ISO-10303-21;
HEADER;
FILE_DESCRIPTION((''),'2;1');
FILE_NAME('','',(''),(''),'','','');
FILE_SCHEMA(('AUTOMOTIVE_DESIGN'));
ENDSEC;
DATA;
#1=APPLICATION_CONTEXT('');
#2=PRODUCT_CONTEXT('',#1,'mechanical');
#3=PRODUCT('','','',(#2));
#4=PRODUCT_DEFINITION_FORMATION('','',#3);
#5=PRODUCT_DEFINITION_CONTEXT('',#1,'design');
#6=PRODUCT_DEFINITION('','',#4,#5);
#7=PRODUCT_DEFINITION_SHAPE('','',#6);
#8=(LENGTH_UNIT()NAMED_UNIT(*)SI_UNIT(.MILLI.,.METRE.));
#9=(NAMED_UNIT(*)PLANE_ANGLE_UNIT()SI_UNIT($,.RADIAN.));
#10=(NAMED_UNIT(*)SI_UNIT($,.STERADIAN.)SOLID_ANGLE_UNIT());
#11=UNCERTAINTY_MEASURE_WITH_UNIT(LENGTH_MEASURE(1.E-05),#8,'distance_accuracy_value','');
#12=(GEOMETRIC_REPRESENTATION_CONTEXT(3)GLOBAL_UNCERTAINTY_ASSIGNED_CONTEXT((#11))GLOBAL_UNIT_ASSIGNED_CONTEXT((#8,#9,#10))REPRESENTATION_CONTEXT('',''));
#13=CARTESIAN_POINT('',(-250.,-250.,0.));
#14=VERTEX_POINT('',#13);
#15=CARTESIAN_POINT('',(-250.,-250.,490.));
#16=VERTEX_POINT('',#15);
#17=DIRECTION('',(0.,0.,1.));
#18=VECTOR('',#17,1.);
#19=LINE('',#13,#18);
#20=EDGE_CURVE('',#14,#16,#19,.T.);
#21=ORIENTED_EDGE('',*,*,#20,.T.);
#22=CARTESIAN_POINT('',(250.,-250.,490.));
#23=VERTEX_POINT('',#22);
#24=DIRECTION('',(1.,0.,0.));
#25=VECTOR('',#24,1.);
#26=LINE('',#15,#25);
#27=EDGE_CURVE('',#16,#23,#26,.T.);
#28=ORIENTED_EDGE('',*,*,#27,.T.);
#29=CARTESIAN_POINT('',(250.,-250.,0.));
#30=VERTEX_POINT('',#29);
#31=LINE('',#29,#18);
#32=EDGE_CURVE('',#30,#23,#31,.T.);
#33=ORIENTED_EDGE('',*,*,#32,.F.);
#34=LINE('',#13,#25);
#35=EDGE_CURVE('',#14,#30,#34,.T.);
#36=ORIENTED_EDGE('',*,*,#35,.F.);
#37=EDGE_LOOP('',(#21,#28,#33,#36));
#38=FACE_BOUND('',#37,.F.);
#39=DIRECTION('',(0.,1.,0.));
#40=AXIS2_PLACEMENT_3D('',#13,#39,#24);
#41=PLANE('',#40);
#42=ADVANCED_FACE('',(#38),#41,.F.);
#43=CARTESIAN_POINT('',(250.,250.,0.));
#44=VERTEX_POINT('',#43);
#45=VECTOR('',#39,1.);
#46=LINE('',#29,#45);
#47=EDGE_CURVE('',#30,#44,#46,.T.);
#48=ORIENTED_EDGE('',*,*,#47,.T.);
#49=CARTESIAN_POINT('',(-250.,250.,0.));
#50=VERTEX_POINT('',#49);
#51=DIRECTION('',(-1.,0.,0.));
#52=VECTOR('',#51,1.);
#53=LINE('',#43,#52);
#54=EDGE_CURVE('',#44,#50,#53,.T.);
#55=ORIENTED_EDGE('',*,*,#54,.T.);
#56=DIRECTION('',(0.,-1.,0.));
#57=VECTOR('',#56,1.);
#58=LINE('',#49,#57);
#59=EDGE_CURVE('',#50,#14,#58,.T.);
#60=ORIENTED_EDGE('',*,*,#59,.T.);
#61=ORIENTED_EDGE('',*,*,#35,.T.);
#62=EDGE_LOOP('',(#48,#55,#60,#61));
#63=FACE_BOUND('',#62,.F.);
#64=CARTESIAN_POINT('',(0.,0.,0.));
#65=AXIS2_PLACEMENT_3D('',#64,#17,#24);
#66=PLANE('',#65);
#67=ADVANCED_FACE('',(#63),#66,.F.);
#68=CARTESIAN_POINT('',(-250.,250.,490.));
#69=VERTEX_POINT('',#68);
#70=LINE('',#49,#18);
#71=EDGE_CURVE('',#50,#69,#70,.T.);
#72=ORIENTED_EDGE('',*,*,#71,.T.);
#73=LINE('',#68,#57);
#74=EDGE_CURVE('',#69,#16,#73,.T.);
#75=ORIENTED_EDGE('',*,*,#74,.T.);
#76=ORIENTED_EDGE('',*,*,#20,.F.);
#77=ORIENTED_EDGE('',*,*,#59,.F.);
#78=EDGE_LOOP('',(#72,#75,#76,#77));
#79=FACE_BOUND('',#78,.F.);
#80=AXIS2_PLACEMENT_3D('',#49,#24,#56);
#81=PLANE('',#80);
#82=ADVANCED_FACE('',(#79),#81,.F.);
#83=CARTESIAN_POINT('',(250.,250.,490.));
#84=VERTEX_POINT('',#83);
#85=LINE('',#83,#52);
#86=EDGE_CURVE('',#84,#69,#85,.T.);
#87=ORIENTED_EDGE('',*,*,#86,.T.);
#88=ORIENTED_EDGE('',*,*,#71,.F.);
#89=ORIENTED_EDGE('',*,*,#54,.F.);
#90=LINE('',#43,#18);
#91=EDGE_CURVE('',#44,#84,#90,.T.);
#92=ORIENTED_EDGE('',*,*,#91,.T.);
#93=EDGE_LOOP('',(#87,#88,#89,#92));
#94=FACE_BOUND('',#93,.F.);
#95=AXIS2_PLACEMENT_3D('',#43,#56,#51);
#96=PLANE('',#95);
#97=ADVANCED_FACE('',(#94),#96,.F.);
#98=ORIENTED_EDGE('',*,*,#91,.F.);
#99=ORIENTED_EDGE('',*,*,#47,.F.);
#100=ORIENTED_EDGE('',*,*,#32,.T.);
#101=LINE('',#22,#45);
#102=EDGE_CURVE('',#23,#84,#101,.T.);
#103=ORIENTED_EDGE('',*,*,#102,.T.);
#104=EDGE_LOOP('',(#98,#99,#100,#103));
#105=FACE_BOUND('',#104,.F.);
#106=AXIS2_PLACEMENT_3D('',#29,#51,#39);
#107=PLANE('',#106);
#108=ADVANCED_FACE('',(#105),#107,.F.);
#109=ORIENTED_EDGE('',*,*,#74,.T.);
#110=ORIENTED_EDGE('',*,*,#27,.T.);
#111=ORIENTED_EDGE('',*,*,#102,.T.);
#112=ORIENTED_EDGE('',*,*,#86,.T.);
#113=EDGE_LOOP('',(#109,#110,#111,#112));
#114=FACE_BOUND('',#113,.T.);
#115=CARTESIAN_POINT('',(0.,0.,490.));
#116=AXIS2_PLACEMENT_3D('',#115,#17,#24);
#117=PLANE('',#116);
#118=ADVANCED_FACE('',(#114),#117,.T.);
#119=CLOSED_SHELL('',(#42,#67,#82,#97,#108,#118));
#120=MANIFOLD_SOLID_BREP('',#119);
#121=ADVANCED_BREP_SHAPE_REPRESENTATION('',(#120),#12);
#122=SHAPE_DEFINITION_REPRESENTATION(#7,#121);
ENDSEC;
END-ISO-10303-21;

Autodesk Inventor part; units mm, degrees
ref_plane "YZ Plane" through (0, 0, 0) normal (1, 0, 0) x (0, 1, 0)
ref_plane "XZ Plane" through (0, 0, 0) normal (0, 1, 0) x (-1, 0, 0)
ref_plane "XY Plane" through (0, 0, 0) normal (0, 0, 1) x (1, 0, 0)
sketch "Boceto1" plane through (0, 0, 0) normal (0, 0, 1) x (1, 0, 0)
  line L0 (-250, -250) -> (250, -250)
  line L1 (250, -250) -> (250, 250)
  line L2 (250, 250) -> (-250, 250)
  line L3 (-250, 250) -> (-250, -250)
  line L4 (-250, -250) -> (250, 250) construction
  line L5 (250, -250) -> (-250, 250) construction
  point P0 (0, 0)
  dimension "d0" = 500
  dimension "d1" = 500
extrude "Extrusión1" add sketch "Boceto1" along normal blind 490
properties part number "Mesita"
